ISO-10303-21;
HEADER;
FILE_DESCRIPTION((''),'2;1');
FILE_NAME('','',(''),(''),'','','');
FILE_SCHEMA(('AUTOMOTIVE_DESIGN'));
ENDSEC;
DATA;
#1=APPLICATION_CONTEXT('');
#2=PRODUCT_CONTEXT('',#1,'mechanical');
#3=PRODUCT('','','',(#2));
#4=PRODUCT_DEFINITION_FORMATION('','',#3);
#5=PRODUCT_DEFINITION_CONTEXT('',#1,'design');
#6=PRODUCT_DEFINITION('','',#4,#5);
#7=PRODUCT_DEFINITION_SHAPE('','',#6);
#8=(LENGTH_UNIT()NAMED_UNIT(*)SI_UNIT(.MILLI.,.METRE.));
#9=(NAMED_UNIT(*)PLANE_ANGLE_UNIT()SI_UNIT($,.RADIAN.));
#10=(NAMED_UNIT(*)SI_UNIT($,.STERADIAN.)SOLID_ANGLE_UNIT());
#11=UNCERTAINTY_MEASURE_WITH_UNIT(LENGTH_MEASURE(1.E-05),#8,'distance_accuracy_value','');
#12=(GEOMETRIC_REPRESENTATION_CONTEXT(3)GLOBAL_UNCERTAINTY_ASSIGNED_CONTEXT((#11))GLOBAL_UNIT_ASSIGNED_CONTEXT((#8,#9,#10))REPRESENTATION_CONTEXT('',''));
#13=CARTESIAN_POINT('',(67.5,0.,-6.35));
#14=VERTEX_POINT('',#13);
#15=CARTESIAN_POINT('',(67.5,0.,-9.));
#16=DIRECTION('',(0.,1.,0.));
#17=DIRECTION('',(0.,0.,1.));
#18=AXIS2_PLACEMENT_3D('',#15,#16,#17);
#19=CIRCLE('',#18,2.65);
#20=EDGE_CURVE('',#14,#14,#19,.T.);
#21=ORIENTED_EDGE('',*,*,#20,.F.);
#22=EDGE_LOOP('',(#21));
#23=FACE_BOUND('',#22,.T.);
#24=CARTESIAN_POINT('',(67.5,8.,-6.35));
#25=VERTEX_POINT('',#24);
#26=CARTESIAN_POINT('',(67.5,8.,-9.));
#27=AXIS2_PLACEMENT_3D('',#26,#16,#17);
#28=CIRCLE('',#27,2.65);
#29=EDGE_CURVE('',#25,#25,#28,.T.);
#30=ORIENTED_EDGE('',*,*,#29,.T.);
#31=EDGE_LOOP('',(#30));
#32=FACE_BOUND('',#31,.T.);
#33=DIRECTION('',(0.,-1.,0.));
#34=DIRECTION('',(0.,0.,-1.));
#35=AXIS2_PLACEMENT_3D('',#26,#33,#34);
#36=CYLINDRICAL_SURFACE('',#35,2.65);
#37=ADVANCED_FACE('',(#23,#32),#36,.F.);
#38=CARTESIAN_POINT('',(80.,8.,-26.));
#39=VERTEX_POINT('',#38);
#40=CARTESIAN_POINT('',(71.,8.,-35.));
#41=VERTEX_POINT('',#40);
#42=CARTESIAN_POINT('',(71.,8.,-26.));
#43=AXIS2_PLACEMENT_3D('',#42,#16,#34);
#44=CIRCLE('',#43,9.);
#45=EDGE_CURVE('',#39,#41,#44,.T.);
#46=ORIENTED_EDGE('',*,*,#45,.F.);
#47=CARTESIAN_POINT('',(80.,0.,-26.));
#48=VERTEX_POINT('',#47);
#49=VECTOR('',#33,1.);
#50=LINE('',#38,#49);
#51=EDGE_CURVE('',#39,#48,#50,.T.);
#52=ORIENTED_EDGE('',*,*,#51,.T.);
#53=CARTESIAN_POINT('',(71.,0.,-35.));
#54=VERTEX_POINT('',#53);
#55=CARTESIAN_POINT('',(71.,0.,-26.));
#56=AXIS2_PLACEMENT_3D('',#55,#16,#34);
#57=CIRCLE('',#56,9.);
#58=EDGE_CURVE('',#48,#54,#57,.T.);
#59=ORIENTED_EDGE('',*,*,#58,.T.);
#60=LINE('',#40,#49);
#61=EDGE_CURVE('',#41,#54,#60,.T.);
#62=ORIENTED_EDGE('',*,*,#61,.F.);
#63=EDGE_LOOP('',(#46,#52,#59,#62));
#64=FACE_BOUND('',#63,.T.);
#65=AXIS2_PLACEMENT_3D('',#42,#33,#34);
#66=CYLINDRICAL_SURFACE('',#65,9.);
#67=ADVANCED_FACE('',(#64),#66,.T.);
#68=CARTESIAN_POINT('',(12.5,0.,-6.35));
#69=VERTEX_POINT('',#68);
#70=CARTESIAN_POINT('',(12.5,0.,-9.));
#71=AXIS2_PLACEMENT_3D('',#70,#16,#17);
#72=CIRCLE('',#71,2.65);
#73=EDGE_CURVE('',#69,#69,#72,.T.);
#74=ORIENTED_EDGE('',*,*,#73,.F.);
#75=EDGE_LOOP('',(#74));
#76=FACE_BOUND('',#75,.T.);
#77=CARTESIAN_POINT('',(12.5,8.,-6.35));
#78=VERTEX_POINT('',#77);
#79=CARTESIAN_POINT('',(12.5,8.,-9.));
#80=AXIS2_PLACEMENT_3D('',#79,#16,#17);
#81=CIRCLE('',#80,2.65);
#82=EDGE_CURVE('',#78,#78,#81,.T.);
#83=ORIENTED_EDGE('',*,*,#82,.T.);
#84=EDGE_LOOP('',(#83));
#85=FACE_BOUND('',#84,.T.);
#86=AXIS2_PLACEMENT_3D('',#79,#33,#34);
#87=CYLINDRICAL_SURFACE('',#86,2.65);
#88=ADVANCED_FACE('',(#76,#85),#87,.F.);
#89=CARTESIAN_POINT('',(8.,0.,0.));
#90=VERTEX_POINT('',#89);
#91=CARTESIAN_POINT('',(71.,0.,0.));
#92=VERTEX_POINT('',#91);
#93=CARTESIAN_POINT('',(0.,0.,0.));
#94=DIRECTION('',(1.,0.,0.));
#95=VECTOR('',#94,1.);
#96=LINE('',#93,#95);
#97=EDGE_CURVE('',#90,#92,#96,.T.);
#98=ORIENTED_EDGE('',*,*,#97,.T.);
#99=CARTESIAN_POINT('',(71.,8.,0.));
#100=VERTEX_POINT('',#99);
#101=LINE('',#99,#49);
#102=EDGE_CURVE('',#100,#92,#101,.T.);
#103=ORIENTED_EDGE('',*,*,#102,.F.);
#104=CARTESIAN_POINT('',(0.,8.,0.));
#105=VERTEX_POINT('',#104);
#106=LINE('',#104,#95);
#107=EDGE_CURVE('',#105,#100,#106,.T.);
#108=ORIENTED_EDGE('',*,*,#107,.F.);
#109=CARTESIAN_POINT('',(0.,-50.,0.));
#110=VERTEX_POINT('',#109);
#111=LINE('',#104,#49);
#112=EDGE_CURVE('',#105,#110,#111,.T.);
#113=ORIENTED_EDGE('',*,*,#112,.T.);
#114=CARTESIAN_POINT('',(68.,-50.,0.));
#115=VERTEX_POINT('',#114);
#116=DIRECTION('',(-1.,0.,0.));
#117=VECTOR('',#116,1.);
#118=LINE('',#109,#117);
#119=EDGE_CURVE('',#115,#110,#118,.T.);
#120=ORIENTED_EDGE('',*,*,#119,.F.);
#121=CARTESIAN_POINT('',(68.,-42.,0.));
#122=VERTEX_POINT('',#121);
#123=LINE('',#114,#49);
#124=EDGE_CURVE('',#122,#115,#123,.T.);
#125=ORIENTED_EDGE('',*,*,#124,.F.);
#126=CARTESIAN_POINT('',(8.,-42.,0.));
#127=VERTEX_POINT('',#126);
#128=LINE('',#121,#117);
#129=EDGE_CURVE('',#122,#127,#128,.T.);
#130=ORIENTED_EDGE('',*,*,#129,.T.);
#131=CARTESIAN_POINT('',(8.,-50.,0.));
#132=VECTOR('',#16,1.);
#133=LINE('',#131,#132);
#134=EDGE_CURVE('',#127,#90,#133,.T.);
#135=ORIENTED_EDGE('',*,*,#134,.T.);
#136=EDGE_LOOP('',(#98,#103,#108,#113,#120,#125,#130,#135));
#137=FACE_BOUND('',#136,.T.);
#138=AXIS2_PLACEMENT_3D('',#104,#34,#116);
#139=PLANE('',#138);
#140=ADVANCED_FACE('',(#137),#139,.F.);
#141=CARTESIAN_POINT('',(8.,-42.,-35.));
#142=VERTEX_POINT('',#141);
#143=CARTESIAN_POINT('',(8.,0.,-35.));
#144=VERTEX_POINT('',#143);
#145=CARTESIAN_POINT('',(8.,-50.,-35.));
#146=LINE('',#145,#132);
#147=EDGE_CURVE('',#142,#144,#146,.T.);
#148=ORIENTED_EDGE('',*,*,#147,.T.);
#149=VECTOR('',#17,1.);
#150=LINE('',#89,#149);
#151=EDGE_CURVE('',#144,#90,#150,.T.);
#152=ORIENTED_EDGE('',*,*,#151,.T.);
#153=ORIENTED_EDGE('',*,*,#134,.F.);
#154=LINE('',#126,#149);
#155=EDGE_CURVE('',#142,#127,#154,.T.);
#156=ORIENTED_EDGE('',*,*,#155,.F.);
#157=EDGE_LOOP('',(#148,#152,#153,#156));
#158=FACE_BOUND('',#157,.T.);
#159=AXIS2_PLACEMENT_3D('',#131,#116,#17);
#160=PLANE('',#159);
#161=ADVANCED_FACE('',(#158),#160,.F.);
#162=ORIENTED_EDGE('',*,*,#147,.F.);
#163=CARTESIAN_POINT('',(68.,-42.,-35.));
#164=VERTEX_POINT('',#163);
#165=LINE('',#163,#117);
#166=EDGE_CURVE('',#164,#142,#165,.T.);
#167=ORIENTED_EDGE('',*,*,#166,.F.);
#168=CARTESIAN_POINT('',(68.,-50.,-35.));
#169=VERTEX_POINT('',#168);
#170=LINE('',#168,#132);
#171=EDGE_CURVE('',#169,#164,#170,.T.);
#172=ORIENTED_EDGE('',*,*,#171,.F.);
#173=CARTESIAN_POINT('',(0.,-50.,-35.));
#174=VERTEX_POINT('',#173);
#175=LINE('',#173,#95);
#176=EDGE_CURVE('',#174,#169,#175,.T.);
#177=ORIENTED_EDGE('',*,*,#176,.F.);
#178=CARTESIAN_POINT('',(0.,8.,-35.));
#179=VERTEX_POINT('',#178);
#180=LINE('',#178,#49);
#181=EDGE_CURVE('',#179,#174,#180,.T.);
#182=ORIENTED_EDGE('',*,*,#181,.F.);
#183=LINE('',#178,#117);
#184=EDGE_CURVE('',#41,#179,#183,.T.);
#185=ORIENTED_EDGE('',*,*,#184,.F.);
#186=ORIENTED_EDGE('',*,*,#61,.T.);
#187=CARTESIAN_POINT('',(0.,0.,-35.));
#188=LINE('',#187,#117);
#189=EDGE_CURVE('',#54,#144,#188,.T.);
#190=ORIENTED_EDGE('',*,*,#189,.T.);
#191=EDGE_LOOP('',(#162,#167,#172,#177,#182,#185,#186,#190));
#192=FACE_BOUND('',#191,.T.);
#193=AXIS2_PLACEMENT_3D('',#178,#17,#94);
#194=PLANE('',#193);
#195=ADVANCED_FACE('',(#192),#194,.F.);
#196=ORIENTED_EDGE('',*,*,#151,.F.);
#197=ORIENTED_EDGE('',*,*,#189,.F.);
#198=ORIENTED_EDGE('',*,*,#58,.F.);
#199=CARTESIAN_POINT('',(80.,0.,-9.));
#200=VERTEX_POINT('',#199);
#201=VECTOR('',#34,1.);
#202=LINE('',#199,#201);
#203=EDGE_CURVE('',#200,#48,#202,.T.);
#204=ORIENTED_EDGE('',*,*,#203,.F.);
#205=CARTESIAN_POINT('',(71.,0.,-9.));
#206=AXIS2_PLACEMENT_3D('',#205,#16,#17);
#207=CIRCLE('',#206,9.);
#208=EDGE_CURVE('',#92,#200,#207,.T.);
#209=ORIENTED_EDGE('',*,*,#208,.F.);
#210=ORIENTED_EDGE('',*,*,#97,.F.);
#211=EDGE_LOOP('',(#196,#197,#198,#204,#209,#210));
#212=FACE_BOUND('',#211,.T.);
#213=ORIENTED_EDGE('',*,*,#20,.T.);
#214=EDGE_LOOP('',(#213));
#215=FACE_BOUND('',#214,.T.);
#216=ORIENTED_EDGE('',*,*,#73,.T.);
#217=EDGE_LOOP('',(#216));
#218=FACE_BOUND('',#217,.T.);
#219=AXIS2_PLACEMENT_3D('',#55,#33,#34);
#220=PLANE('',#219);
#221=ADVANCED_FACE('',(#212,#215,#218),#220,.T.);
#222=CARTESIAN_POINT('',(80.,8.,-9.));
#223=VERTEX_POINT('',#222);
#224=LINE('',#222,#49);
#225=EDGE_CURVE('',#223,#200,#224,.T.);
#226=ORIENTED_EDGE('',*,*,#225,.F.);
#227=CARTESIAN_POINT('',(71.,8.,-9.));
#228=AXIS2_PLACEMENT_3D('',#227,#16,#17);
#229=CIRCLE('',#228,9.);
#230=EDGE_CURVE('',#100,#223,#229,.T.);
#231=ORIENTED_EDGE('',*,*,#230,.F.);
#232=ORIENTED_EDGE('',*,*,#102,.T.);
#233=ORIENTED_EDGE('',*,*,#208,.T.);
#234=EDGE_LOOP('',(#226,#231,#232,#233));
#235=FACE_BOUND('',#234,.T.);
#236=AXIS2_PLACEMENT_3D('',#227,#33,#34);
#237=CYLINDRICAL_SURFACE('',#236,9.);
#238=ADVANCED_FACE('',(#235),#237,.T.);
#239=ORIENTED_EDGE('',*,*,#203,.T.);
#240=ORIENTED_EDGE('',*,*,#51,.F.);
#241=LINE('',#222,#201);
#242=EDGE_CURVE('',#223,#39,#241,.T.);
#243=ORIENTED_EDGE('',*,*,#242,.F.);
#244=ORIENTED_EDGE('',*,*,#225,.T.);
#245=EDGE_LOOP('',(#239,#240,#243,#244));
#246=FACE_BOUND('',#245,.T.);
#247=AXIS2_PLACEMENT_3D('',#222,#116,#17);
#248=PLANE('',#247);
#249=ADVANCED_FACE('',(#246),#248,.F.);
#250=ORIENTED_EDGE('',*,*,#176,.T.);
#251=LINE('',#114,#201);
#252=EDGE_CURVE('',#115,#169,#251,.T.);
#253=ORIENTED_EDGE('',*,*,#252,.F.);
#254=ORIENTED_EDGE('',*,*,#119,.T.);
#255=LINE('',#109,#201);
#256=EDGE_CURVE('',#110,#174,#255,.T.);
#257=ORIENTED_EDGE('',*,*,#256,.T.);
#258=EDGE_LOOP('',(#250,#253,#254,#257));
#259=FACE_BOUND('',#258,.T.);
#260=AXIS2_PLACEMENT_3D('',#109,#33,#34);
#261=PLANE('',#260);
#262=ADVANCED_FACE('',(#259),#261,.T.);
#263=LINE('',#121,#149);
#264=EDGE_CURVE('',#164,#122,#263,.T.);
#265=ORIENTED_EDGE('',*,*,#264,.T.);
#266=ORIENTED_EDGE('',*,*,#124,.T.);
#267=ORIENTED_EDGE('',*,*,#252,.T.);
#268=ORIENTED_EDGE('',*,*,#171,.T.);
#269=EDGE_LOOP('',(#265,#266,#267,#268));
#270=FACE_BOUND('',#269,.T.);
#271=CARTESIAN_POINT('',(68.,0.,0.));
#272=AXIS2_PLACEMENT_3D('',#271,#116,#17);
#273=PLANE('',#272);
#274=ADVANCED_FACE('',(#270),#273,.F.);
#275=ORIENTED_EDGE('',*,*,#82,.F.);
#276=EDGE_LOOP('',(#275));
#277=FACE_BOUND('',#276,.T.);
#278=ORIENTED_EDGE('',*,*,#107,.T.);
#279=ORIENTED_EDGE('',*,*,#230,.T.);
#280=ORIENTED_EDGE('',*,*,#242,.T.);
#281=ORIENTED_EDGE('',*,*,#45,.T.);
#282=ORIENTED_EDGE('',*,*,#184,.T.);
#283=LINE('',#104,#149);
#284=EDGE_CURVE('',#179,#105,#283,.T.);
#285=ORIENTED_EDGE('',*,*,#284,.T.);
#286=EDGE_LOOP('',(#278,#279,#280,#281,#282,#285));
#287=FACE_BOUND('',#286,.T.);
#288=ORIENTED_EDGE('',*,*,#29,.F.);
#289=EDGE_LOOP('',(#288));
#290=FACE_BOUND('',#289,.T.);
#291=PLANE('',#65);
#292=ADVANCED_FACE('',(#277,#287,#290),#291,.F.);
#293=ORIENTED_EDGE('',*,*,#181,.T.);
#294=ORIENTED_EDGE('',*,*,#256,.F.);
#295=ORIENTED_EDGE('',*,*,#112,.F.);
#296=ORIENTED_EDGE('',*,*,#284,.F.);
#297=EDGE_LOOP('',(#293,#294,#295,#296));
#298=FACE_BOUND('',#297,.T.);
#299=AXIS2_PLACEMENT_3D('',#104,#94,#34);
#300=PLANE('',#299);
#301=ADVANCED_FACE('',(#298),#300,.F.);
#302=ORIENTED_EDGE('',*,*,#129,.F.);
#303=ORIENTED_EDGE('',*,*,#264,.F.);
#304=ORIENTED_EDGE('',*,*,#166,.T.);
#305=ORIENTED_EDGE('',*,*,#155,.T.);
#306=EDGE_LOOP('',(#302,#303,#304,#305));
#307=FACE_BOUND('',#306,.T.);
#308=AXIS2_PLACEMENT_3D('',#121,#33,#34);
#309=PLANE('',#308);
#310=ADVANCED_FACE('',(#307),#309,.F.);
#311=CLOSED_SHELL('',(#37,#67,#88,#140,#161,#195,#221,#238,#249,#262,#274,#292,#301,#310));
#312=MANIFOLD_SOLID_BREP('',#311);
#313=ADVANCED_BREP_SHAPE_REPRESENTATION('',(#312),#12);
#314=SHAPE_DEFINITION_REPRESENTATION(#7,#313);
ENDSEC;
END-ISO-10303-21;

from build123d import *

# Parameters (mm, degrees)
SKETCH1_R           = 2.65
BOSS_EXTRUDE1_DEPTH = 8
SKETCH2_W           = 8
SKETCH2_H           = 35
BOSS_EXTRUDE2_DEPTH = 50
SKETCH3_W           = 35
SKETCH3_H           = 8
BOSS_EXTRUDE3_DEPTH = 60


with BuildPart() as part:
    # Sketch1 → Boss-Extrude1 (new body)
    with BuildSketch(Plane(origin=(0, 0, 0), x_dir=(1, 0, 0), z_dir=(0, 1, 0))):
        with BuildLine():
            Line((0, 0), (71, 0))
            ThreePointArc((71, 0), (77.363961031, 2.636038969), (80, 9))
            Line((80, 9), (80, 26))
            ThreePointArc((80, 26), (77.363961031, 32.363961031), (71, 35))
            Line((71, 35), (0, 35))
            Line((0, 35), (0, 0))
        make_face()
        with Locations((12.5, 9)):
            Circle(SKETCH1_R, mode=Mode.SUBTRACT)
        with Locations((67.5, 9)):
            Circle(SKETCH1_R, mode=Mode.SUBTRACT)
    extrude(amount=BOSS_EXTRUDE1_DEPTH)

    # Sketch2 → Boss-Extrude2 (add)
    with BuildSketch(Plane.XZ):
        with Locations((4, -17.5)):
            Rectangle(SKETCH2_W, SKETCH2_H)
    extrude(amount=BOSS_EXTRUDE2_DEPTH)

    # Sketch3 → Boss-Extrude3 (add)
    with BuildSketch(Plane(origin=(8, 0, 0), x_dir=(0, 0, -1), z_dir=(1, 0, 0))):
        with Locations((17.5, -46)):
            Rectangle(SKETCH3_W, SKETCH3_H)
    extrude(amount=BOSS_EXTRUDE3_DEPTH)


solid = part.part
